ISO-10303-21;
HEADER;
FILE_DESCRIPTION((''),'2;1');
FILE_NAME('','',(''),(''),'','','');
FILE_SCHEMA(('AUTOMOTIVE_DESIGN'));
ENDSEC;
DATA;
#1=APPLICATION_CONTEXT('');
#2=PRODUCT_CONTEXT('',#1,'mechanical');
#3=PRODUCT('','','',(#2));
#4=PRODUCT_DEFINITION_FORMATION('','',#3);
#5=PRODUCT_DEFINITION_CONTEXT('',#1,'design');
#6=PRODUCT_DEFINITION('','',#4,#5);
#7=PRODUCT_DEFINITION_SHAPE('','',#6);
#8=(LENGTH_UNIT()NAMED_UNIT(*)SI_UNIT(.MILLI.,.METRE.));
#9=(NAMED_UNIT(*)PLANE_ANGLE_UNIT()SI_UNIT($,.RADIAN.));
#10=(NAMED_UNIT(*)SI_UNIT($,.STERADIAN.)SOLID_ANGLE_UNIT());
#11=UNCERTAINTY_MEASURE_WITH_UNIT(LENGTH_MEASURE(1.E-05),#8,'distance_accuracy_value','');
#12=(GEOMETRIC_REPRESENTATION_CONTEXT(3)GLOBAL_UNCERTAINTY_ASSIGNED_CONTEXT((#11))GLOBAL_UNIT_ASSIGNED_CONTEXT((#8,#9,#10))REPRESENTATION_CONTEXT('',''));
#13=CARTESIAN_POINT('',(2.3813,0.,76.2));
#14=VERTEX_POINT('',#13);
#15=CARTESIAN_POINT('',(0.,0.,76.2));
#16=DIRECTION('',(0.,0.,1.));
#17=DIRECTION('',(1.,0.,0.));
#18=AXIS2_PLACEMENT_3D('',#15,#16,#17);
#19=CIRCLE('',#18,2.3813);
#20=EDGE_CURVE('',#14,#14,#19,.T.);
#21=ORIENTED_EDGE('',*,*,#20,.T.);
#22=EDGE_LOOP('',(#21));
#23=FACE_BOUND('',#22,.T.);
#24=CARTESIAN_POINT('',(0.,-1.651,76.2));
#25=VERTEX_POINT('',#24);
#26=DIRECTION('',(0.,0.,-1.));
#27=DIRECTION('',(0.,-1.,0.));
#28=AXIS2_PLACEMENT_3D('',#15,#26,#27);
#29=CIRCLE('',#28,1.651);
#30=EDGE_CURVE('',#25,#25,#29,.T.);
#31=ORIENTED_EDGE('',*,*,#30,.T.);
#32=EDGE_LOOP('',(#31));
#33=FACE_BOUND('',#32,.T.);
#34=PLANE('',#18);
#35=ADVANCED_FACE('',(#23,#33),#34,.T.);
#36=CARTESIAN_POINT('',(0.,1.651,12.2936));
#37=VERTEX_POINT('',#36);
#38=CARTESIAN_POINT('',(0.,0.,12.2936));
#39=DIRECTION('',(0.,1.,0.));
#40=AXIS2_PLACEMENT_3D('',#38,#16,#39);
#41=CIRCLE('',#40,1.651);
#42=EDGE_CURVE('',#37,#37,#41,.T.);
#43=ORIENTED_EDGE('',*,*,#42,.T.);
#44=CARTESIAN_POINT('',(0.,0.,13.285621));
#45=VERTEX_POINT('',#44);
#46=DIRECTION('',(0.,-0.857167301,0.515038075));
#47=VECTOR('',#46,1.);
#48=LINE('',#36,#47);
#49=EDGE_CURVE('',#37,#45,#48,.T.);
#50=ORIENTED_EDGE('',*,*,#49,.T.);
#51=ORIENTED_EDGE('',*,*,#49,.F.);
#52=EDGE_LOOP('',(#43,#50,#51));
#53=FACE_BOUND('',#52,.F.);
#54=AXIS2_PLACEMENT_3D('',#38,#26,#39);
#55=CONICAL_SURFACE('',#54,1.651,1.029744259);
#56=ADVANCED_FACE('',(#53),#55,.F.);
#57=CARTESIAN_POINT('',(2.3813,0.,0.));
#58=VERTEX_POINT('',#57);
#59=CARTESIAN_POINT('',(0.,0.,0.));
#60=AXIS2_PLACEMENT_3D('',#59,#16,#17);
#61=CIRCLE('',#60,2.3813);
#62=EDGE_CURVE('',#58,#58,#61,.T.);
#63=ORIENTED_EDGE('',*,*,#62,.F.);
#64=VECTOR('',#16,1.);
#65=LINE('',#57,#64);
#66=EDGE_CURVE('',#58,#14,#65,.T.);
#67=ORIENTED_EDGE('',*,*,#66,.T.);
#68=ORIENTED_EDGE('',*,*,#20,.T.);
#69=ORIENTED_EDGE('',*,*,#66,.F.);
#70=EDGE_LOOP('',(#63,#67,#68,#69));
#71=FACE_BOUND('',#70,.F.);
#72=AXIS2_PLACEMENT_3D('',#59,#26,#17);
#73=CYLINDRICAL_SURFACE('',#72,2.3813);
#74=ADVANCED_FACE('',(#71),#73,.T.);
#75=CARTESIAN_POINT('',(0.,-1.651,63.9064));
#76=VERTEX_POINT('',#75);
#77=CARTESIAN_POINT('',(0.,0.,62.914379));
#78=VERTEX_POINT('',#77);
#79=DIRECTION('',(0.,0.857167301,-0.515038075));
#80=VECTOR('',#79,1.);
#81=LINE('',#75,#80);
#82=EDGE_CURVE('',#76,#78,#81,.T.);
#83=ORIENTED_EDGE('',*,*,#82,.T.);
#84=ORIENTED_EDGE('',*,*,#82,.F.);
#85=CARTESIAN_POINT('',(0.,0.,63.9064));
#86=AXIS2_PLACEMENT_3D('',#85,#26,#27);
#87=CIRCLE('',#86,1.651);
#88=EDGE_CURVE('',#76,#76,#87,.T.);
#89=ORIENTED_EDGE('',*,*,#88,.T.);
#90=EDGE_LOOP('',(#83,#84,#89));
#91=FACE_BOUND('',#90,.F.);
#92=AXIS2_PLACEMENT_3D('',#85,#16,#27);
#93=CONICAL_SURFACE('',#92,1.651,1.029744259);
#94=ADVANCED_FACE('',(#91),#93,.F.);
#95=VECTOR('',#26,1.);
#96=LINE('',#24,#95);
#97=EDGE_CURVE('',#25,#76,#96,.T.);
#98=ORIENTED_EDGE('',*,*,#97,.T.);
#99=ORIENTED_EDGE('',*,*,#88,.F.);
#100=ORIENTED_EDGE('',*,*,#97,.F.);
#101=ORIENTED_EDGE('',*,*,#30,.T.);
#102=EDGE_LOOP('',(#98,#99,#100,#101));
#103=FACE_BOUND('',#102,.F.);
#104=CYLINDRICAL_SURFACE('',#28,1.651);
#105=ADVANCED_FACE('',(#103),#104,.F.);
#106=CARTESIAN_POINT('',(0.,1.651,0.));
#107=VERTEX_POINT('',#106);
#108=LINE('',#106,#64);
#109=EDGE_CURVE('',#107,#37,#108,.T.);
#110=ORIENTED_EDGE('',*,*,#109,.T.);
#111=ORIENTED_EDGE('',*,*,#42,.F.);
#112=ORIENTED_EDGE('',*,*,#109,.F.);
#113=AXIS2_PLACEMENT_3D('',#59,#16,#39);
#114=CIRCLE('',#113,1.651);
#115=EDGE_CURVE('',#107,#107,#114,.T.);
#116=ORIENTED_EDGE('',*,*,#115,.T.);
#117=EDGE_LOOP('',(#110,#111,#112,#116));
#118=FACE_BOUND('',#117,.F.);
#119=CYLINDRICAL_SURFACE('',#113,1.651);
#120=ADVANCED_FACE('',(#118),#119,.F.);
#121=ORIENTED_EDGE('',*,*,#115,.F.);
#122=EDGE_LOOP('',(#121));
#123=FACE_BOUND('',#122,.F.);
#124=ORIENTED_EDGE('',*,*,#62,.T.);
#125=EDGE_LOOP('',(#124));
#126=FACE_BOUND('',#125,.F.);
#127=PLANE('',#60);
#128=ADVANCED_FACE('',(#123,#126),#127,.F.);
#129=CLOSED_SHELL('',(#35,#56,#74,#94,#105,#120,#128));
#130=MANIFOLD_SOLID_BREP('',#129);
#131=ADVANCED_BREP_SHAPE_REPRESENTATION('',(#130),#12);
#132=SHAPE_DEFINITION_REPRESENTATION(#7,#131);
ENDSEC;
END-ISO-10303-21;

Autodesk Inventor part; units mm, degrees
ref_plane "YZ Plane" through (0, 0, 0) normal (1, 0, 0) x (0, 1, 0)
ref_plane "XZ Plane" through (0, 0, 0) normal (0, 1, 0) x (-1, 0, 0)
ref_plane "XY Plane" through (0, 0, 0) normal (0, 0, 1) x (1, 0, 0)
sketch "Sketch1" plane through (0, 0, 0) normal (0, 0, 1) x (1, 0, 0)
  circle A0 centre (0, 0) radius 2.3813
  dimension "d0" = 4.7625
extrude "Extrusion1" add sketch "Sketch1" along normal blind 76.2
sketch "Sketch2" plane through (0, 0, 76.2) normal (0, 0, 1) x (1, 0, 0)
  circle A0 centre (0, 0) radius 2.3813 projected
  circle A1 centre (0, 0) radius 1.1303
  dimension "d3" = 2.2606
hole "Hole1" at (0, 0, 76.2) direction (0, 0, -1) diameter 3.302 depth 12.2936 tip angle 118 thread size "8-32 UNC" class "2B" standard "ANSI Unified Screw Threads"
sketch "Sketch3" plane through (0, 0, 0) normal (0, 0, -1) x (-1, 0, 0)
  circle A0 centre (0, 0) radius 2.3813 projected
hole "Hole2" at (0, 0, 0) direction (0, 0, 1) diameter 3.302 depth 12.2936 tip angle 118 thread size "8-32 UNC" class "2B" standard "ANSI Unified Screw Threads"
properties part number "Steel Rod"
